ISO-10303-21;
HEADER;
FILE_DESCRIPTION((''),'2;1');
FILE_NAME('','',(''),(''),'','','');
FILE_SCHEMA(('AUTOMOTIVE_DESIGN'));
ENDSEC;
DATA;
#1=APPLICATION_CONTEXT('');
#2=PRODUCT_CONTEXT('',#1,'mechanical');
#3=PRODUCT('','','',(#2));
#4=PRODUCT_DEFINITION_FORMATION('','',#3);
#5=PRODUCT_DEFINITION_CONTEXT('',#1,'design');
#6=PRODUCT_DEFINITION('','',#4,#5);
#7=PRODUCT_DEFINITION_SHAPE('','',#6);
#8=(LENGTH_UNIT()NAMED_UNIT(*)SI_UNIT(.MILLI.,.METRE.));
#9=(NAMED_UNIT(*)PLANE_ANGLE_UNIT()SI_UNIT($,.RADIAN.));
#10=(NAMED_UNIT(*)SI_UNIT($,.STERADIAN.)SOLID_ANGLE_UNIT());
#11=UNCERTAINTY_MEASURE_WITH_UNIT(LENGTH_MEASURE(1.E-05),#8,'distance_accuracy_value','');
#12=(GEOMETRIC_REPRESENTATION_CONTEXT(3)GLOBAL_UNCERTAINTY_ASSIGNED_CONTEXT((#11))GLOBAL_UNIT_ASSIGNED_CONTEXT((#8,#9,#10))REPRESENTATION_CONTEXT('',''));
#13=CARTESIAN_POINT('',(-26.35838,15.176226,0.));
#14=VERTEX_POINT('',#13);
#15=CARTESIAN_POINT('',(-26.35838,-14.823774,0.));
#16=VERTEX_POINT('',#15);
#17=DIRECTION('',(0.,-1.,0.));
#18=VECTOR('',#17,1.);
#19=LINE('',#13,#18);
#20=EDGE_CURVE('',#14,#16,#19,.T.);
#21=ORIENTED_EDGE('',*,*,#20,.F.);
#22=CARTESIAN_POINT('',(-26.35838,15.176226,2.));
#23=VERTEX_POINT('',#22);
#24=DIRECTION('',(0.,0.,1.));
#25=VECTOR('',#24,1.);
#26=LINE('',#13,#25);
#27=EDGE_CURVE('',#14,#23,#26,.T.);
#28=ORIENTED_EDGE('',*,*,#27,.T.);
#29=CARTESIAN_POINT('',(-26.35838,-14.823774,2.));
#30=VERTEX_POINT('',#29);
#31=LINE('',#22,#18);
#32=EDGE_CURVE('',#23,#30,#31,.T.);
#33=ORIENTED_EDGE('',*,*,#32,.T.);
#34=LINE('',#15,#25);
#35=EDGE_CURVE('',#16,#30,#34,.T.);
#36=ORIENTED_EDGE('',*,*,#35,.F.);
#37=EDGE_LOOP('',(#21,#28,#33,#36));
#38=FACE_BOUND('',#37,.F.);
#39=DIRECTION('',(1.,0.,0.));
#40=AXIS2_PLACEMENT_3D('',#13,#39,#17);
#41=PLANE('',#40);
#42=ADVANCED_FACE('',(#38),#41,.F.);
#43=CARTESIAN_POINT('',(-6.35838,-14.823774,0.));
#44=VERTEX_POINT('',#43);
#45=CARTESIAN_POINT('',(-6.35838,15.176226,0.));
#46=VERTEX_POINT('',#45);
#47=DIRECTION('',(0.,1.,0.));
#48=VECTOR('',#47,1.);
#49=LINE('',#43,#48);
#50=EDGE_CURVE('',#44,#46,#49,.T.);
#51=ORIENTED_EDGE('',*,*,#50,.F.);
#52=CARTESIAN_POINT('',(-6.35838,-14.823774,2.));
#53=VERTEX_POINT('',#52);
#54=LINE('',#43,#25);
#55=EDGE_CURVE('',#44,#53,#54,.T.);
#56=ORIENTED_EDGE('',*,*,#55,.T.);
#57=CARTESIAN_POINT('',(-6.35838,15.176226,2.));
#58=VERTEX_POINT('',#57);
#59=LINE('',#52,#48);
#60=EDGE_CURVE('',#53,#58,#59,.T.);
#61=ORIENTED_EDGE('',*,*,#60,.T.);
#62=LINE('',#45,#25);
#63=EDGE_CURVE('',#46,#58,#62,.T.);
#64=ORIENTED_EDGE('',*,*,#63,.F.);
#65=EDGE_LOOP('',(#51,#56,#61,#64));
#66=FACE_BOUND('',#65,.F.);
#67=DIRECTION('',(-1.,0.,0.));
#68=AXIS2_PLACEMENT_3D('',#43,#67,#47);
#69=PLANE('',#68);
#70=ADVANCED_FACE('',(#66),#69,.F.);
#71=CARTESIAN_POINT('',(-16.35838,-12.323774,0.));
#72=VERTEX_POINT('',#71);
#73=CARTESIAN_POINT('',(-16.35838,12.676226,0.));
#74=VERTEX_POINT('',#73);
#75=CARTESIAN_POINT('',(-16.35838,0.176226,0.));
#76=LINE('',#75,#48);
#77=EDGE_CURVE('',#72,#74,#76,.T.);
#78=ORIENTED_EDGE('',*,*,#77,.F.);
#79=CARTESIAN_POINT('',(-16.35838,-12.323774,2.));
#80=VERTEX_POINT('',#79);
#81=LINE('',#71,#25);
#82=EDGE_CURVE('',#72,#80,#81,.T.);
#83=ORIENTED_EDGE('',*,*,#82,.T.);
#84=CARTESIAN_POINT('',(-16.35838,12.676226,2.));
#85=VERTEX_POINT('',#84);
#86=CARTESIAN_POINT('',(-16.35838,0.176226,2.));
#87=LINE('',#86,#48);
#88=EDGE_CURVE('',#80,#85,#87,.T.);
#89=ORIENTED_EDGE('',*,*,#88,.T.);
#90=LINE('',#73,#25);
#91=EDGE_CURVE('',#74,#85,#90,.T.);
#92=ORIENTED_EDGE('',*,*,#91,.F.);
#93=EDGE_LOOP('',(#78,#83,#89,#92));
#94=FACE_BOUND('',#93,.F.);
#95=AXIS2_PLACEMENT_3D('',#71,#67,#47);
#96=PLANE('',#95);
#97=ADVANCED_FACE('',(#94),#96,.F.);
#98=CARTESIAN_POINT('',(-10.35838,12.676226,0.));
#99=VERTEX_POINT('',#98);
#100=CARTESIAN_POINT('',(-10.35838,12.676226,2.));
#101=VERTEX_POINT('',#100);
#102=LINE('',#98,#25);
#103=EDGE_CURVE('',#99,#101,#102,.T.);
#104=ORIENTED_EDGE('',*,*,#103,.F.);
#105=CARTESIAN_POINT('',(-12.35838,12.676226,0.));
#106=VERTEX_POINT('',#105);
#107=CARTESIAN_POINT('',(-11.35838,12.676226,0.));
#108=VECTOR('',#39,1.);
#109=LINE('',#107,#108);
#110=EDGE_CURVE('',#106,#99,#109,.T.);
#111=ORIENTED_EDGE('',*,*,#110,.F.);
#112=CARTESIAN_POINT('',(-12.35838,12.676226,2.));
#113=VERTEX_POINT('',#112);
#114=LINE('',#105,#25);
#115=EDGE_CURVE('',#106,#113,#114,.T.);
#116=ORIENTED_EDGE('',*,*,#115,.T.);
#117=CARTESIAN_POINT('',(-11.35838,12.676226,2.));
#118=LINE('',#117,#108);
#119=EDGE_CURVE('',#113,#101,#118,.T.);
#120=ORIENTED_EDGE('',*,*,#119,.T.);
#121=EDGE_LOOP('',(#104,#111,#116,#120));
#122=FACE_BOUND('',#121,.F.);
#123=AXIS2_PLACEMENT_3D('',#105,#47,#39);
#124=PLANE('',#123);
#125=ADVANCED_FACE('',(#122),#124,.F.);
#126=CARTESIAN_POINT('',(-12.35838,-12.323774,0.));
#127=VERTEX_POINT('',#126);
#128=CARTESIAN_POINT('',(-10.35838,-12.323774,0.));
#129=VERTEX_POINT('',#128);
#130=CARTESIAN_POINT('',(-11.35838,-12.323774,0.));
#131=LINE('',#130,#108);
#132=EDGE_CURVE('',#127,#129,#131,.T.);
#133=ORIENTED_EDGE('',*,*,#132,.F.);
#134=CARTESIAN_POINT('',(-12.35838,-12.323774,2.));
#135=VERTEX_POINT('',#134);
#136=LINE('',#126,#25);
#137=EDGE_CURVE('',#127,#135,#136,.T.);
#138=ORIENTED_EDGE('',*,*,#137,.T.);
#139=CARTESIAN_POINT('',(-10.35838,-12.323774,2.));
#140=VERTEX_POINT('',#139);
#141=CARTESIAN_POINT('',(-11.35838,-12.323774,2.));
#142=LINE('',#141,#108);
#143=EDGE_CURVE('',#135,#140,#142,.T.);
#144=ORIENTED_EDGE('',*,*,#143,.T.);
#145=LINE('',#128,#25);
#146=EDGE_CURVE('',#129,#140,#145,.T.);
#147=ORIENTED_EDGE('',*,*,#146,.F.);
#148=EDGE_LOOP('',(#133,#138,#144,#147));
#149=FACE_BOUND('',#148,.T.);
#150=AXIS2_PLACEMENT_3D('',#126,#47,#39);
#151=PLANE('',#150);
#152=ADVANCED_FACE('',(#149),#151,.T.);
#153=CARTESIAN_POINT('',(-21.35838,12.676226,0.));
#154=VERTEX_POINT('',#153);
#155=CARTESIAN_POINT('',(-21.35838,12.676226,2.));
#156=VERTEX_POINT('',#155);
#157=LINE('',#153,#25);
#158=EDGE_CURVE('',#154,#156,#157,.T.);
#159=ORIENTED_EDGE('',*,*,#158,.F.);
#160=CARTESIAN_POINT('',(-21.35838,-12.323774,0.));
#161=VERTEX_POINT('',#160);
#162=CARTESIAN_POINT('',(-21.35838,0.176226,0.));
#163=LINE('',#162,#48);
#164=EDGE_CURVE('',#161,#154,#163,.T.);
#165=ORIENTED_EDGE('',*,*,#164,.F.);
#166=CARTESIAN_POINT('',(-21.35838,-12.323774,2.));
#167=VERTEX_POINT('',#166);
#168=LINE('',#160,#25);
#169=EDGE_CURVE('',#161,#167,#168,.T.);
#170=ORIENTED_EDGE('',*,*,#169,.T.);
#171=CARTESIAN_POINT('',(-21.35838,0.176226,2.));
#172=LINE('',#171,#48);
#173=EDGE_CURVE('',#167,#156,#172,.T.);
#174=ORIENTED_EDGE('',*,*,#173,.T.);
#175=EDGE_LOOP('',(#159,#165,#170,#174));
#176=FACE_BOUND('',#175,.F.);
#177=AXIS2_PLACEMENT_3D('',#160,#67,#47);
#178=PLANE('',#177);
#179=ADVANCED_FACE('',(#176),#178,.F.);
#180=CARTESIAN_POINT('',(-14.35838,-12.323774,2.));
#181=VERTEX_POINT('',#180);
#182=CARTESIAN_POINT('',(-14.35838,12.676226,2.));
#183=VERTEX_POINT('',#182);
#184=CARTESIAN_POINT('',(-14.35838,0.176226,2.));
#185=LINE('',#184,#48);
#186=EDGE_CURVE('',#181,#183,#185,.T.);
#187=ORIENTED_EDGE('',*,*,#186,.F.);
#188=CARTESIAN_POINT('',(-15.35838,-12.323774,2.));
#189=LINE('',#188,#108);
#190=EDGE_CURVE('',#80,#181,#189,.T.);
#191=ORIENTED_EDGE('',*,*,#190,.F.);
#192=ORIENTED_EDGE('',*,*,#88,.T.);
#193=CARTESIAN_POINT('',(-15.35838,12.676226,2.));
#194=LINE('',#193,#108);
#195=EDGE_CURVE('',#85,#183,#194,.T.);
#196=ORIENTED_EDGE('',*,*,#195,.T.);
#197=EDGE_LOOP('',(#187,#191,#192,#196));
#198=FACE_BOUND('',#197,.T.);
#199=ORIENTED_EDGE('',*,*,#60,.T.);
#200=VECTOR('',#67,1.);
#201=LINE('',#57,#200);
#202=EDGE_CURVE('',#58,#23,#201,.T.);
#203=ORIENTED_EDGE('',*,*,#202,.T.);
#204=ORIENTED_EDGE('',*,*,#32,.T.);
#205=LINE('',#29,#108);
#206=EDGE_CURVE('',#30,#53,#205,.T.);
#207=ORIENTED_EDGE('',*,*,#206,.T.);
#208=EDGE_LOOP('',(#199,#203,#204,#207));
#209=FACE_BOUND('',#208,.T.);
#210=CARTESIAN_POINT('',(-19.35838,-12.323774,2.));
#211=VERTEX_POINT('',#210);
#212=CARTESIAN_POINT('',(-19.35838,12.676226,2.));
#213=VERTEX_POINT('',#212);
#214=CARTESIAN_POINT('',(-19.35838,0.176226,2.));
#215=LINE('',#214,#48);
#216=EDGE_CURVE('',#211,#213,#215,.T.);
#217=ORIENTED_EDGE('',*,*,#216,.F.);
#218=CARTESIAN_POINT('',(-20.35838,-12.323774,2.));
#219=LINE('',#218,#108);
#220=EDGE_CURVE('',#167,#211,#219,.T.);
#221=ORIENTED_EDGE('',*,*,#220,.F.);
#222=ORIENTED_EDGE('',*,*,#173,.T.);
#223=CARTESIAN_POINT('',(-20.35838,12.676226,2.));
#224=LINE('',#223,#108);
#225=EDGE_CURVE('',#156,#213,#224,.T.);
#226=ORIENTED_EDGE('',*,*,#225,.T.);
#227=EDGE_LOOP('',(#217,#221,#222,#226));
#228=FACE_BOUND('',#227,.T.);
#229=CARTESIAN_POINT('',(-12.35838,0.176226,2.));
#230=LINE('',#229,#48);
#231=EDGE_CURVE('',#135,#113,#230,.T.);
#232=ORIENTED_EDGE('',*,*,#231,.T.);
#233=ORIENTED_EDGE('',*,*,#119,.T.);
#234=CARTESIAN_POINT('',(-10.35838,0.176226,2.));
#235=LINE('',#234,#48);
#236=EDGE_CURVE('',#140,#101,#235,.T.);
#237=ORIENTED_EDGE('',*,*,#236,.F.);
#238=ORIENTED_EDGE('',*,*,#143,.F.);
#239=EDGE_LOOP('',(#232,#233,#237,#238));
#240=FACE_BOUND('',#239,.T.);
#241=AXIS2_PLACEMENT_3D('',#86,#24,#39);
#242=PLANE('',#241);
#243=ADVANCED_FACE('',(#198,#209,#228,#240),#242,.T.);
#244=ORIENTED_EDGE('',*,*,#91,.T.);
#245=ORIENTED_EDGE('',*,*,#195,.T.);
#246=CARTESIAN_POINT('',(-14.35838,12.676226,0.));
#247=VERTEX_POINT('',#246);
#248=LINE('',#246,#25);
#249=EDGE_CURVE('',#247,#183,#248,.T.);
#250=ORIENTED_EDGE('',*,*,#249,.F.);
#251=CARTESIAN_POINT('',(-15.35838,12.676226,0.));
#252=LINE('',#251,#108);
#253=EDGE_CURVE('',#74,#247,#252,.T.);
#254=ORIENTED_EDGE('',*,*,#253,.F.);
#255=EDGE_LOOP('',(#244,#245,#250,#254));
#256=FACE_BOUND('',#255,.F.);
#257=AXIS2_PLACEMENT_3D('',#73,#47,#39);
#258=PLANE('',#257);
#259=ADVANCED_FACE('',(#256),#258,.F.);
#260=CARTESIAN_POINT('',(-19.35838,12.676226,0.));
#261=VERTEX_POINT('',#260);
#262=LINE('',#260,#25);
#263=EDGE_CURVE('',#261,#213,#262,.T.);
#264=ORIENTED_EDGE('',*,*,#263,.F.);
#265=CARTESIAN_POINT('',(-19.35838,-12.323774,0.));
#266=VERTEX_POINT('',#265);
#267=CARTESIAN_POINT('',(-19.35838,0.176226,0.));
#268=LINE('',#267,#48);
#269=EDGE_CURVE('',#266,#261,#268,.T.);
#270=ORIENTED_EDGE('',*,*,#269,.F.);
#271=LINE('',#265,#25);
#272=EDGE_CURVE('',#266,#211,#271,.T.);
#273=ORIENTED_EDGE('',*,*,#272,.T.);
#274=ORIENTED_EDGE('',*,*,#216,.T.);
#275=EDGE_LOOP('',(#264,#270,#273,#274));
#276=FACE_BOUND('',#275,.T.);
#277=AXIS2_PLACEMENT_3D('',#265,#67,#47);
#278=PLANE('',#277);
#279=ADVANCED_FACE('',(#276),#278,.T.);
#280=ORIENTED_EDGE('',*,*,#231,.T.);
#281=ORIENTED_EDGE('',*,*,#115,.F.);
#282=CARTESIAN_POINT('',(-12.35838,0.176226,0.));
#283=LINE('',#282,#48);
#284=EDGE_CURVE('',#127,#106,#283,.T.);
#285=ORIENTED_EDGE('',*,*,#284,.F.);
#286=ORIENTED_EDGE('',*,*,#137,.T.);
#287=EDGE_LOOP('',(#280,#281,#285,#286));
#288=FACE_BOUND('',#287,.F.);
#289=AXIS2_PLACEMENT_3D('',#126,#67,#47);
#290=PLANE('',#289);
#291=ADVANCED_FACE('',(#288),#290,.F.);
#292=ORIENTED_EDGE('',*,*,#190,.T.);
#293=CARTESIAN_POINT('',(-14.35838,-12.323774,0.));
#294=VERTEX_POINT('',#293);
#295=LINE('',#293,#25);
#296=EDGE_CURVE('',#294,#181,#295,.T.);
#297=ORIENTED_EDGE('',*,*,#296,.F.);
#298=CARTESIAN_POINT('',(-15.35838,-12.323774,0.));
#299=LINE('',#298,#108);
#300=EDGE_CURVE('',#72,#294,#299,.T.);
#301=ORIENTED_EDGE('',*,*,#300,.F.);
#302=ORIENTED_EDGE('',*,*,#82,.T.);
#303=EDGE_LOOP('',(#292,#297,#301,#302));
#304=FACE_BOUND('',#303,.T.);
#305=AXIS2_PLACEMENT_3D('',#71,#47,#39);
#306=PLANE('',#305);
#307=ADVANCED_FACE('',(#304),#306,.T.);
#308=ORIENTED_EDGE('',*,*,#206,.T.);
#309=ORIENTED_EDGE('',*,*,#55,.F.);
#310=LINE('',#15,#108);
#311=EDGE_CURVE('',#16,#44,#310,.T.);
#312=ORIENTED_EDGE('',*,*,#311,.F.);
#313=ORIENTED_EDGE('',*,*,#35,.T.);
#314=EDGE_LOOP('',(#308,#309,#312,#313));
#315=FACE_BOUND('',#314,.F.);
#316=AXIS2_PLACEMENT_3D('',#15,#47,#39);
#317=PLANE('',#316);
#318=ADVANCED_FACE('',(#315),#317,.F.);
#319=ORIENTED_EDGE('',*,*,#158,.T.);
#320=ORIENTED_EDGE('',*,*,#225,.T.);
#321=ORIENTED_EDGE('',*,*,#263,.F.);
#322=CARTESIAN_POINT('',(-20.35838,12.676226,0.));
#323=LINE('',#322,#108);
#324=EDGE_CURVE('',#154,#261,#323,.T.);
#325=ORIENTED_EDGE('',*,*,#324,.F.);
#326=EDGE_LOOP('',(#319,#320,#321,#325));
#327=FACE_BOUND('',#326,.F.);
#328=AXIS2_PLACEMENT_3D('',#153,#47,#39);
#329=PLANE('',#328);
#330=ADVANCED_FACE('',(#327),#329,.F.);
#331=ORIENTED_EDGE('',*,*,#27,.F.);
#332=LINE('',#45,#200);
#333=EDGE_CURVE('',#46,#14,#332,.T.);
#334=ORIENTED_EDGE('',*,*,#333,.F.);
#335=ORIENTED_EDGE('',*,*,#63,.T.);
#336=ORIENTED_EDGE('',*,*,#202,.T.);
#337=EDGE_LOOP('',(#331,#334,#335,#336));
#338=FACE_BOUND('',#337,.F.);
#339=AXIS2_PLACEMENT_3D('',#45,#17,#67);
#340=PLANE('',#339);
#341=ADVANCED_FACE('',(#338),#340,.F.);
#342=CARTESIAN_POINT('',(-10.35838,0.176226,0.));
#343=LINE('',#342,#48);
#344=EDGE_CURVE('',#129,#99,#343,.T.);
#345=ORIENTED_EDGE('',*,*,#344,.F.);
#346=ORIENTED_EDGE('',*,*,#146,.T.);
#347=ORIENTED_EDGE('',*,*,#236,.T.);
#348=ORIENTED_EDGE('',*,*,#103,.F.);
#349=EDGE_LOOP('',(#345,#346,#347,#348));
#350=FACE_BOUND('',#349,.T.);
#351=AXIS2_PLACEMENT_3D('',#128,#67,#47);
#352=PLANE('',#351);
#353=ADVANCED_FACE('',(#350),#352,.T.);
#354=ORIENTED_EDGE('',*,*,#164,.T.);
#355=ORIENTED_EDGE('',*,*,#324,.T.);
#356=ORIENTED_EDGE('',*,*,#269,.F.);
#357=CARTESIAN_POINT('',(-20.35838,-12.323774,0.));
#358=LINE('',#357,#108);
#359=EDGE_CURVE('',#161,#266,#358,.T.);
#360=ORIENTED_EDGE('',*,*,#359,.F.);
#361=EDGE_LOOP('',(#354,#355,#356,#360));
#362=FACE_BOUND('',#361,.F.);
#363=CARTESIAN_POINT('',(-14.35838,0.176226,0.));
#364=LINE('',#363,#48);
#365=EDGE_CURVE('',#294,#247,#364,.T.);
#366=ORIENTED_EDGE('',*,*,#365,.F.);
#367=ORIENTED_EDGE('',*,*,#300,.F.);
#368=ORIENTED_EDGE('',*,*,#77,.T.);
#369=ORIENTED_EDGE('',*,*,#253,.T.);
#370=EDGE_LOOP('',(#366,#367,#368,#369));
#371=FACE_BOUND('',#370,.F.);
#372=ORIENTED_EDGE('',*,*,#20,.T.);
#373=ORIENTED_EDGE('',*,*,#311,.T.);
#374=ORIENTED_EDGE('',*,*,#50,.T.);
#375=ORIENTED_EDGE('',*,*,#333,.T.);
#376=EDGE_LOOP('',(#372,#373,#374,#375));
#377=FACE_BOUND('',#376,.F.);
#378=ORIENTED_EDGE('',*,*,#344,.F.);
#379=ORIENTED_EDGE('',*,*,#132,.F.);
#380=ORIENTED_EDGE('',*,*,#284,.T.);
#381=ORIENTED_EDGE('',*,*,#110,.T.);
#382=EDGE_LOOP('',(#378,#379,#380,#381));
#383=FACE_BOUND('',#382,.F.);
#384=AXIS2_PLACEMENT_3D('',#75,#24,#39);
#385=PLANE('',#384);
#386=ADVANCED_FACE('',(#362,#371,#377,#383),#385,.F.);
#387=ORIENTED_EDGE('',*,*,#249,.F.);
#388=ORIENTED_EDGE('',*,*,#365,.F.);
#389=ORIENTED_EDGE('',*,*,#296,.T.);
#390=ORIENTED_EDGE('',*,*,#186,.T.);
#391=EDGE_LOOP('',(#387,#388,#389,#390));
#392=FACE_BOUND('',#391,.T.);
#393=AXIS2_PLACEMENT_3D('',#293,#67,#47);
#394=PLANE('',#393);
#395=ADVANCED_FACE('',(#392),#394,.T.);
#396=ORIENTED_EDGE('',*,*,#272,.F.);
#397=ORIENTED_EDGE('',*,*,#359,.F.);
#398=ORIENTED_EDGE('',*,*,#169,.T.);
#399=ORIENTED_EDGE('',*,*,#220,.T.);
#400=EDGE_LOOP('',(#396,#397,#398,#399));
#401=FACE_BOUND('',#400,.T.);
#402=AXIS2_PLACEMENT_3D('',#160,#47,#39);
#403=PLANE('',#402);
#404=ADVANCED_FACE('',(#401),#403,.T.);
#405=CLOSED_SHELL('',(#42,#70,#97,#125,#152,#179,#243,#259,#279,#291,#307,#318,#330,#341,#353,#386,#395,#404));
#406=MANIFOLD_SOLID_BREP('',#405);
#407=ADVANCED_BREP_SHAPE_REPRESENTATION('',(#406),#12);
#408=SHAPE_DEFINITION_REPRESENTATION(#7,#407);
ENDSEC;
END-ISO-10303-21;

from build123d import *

# Parameters (mm, degrees)
F0_W     = 2
F0_H     = 25
F1_DEPTH = 2


with BuildPart() as f1:
    # F0 (on Top) → F1 (new body)
    with BuildSketch(Plane.XY):
        Polygon((-6.35838, 15.176226), (-26.35838, 15.176226), (-26.35838, -12.323774), (-26.35838, -14.823774), (-6.35838, -14.823774), align=None)
        with Locations((-20.35838, 0.176226)):
            Rectangle(F0_W, F0_H, mode=Mode.SUBTRACT)
        with Locations((-15.35838, 0.176226)):
            Rectangle(F0_W, F0_H, mode=Mode.SUBTRACT)
        with Locations((-11.35838, 0.176226)):
            Rectangle(F0_W, F0_H, mode=Mode.SUBTRACT)
    extrude(amount=F1_DEPTH)


solid = f1.part
